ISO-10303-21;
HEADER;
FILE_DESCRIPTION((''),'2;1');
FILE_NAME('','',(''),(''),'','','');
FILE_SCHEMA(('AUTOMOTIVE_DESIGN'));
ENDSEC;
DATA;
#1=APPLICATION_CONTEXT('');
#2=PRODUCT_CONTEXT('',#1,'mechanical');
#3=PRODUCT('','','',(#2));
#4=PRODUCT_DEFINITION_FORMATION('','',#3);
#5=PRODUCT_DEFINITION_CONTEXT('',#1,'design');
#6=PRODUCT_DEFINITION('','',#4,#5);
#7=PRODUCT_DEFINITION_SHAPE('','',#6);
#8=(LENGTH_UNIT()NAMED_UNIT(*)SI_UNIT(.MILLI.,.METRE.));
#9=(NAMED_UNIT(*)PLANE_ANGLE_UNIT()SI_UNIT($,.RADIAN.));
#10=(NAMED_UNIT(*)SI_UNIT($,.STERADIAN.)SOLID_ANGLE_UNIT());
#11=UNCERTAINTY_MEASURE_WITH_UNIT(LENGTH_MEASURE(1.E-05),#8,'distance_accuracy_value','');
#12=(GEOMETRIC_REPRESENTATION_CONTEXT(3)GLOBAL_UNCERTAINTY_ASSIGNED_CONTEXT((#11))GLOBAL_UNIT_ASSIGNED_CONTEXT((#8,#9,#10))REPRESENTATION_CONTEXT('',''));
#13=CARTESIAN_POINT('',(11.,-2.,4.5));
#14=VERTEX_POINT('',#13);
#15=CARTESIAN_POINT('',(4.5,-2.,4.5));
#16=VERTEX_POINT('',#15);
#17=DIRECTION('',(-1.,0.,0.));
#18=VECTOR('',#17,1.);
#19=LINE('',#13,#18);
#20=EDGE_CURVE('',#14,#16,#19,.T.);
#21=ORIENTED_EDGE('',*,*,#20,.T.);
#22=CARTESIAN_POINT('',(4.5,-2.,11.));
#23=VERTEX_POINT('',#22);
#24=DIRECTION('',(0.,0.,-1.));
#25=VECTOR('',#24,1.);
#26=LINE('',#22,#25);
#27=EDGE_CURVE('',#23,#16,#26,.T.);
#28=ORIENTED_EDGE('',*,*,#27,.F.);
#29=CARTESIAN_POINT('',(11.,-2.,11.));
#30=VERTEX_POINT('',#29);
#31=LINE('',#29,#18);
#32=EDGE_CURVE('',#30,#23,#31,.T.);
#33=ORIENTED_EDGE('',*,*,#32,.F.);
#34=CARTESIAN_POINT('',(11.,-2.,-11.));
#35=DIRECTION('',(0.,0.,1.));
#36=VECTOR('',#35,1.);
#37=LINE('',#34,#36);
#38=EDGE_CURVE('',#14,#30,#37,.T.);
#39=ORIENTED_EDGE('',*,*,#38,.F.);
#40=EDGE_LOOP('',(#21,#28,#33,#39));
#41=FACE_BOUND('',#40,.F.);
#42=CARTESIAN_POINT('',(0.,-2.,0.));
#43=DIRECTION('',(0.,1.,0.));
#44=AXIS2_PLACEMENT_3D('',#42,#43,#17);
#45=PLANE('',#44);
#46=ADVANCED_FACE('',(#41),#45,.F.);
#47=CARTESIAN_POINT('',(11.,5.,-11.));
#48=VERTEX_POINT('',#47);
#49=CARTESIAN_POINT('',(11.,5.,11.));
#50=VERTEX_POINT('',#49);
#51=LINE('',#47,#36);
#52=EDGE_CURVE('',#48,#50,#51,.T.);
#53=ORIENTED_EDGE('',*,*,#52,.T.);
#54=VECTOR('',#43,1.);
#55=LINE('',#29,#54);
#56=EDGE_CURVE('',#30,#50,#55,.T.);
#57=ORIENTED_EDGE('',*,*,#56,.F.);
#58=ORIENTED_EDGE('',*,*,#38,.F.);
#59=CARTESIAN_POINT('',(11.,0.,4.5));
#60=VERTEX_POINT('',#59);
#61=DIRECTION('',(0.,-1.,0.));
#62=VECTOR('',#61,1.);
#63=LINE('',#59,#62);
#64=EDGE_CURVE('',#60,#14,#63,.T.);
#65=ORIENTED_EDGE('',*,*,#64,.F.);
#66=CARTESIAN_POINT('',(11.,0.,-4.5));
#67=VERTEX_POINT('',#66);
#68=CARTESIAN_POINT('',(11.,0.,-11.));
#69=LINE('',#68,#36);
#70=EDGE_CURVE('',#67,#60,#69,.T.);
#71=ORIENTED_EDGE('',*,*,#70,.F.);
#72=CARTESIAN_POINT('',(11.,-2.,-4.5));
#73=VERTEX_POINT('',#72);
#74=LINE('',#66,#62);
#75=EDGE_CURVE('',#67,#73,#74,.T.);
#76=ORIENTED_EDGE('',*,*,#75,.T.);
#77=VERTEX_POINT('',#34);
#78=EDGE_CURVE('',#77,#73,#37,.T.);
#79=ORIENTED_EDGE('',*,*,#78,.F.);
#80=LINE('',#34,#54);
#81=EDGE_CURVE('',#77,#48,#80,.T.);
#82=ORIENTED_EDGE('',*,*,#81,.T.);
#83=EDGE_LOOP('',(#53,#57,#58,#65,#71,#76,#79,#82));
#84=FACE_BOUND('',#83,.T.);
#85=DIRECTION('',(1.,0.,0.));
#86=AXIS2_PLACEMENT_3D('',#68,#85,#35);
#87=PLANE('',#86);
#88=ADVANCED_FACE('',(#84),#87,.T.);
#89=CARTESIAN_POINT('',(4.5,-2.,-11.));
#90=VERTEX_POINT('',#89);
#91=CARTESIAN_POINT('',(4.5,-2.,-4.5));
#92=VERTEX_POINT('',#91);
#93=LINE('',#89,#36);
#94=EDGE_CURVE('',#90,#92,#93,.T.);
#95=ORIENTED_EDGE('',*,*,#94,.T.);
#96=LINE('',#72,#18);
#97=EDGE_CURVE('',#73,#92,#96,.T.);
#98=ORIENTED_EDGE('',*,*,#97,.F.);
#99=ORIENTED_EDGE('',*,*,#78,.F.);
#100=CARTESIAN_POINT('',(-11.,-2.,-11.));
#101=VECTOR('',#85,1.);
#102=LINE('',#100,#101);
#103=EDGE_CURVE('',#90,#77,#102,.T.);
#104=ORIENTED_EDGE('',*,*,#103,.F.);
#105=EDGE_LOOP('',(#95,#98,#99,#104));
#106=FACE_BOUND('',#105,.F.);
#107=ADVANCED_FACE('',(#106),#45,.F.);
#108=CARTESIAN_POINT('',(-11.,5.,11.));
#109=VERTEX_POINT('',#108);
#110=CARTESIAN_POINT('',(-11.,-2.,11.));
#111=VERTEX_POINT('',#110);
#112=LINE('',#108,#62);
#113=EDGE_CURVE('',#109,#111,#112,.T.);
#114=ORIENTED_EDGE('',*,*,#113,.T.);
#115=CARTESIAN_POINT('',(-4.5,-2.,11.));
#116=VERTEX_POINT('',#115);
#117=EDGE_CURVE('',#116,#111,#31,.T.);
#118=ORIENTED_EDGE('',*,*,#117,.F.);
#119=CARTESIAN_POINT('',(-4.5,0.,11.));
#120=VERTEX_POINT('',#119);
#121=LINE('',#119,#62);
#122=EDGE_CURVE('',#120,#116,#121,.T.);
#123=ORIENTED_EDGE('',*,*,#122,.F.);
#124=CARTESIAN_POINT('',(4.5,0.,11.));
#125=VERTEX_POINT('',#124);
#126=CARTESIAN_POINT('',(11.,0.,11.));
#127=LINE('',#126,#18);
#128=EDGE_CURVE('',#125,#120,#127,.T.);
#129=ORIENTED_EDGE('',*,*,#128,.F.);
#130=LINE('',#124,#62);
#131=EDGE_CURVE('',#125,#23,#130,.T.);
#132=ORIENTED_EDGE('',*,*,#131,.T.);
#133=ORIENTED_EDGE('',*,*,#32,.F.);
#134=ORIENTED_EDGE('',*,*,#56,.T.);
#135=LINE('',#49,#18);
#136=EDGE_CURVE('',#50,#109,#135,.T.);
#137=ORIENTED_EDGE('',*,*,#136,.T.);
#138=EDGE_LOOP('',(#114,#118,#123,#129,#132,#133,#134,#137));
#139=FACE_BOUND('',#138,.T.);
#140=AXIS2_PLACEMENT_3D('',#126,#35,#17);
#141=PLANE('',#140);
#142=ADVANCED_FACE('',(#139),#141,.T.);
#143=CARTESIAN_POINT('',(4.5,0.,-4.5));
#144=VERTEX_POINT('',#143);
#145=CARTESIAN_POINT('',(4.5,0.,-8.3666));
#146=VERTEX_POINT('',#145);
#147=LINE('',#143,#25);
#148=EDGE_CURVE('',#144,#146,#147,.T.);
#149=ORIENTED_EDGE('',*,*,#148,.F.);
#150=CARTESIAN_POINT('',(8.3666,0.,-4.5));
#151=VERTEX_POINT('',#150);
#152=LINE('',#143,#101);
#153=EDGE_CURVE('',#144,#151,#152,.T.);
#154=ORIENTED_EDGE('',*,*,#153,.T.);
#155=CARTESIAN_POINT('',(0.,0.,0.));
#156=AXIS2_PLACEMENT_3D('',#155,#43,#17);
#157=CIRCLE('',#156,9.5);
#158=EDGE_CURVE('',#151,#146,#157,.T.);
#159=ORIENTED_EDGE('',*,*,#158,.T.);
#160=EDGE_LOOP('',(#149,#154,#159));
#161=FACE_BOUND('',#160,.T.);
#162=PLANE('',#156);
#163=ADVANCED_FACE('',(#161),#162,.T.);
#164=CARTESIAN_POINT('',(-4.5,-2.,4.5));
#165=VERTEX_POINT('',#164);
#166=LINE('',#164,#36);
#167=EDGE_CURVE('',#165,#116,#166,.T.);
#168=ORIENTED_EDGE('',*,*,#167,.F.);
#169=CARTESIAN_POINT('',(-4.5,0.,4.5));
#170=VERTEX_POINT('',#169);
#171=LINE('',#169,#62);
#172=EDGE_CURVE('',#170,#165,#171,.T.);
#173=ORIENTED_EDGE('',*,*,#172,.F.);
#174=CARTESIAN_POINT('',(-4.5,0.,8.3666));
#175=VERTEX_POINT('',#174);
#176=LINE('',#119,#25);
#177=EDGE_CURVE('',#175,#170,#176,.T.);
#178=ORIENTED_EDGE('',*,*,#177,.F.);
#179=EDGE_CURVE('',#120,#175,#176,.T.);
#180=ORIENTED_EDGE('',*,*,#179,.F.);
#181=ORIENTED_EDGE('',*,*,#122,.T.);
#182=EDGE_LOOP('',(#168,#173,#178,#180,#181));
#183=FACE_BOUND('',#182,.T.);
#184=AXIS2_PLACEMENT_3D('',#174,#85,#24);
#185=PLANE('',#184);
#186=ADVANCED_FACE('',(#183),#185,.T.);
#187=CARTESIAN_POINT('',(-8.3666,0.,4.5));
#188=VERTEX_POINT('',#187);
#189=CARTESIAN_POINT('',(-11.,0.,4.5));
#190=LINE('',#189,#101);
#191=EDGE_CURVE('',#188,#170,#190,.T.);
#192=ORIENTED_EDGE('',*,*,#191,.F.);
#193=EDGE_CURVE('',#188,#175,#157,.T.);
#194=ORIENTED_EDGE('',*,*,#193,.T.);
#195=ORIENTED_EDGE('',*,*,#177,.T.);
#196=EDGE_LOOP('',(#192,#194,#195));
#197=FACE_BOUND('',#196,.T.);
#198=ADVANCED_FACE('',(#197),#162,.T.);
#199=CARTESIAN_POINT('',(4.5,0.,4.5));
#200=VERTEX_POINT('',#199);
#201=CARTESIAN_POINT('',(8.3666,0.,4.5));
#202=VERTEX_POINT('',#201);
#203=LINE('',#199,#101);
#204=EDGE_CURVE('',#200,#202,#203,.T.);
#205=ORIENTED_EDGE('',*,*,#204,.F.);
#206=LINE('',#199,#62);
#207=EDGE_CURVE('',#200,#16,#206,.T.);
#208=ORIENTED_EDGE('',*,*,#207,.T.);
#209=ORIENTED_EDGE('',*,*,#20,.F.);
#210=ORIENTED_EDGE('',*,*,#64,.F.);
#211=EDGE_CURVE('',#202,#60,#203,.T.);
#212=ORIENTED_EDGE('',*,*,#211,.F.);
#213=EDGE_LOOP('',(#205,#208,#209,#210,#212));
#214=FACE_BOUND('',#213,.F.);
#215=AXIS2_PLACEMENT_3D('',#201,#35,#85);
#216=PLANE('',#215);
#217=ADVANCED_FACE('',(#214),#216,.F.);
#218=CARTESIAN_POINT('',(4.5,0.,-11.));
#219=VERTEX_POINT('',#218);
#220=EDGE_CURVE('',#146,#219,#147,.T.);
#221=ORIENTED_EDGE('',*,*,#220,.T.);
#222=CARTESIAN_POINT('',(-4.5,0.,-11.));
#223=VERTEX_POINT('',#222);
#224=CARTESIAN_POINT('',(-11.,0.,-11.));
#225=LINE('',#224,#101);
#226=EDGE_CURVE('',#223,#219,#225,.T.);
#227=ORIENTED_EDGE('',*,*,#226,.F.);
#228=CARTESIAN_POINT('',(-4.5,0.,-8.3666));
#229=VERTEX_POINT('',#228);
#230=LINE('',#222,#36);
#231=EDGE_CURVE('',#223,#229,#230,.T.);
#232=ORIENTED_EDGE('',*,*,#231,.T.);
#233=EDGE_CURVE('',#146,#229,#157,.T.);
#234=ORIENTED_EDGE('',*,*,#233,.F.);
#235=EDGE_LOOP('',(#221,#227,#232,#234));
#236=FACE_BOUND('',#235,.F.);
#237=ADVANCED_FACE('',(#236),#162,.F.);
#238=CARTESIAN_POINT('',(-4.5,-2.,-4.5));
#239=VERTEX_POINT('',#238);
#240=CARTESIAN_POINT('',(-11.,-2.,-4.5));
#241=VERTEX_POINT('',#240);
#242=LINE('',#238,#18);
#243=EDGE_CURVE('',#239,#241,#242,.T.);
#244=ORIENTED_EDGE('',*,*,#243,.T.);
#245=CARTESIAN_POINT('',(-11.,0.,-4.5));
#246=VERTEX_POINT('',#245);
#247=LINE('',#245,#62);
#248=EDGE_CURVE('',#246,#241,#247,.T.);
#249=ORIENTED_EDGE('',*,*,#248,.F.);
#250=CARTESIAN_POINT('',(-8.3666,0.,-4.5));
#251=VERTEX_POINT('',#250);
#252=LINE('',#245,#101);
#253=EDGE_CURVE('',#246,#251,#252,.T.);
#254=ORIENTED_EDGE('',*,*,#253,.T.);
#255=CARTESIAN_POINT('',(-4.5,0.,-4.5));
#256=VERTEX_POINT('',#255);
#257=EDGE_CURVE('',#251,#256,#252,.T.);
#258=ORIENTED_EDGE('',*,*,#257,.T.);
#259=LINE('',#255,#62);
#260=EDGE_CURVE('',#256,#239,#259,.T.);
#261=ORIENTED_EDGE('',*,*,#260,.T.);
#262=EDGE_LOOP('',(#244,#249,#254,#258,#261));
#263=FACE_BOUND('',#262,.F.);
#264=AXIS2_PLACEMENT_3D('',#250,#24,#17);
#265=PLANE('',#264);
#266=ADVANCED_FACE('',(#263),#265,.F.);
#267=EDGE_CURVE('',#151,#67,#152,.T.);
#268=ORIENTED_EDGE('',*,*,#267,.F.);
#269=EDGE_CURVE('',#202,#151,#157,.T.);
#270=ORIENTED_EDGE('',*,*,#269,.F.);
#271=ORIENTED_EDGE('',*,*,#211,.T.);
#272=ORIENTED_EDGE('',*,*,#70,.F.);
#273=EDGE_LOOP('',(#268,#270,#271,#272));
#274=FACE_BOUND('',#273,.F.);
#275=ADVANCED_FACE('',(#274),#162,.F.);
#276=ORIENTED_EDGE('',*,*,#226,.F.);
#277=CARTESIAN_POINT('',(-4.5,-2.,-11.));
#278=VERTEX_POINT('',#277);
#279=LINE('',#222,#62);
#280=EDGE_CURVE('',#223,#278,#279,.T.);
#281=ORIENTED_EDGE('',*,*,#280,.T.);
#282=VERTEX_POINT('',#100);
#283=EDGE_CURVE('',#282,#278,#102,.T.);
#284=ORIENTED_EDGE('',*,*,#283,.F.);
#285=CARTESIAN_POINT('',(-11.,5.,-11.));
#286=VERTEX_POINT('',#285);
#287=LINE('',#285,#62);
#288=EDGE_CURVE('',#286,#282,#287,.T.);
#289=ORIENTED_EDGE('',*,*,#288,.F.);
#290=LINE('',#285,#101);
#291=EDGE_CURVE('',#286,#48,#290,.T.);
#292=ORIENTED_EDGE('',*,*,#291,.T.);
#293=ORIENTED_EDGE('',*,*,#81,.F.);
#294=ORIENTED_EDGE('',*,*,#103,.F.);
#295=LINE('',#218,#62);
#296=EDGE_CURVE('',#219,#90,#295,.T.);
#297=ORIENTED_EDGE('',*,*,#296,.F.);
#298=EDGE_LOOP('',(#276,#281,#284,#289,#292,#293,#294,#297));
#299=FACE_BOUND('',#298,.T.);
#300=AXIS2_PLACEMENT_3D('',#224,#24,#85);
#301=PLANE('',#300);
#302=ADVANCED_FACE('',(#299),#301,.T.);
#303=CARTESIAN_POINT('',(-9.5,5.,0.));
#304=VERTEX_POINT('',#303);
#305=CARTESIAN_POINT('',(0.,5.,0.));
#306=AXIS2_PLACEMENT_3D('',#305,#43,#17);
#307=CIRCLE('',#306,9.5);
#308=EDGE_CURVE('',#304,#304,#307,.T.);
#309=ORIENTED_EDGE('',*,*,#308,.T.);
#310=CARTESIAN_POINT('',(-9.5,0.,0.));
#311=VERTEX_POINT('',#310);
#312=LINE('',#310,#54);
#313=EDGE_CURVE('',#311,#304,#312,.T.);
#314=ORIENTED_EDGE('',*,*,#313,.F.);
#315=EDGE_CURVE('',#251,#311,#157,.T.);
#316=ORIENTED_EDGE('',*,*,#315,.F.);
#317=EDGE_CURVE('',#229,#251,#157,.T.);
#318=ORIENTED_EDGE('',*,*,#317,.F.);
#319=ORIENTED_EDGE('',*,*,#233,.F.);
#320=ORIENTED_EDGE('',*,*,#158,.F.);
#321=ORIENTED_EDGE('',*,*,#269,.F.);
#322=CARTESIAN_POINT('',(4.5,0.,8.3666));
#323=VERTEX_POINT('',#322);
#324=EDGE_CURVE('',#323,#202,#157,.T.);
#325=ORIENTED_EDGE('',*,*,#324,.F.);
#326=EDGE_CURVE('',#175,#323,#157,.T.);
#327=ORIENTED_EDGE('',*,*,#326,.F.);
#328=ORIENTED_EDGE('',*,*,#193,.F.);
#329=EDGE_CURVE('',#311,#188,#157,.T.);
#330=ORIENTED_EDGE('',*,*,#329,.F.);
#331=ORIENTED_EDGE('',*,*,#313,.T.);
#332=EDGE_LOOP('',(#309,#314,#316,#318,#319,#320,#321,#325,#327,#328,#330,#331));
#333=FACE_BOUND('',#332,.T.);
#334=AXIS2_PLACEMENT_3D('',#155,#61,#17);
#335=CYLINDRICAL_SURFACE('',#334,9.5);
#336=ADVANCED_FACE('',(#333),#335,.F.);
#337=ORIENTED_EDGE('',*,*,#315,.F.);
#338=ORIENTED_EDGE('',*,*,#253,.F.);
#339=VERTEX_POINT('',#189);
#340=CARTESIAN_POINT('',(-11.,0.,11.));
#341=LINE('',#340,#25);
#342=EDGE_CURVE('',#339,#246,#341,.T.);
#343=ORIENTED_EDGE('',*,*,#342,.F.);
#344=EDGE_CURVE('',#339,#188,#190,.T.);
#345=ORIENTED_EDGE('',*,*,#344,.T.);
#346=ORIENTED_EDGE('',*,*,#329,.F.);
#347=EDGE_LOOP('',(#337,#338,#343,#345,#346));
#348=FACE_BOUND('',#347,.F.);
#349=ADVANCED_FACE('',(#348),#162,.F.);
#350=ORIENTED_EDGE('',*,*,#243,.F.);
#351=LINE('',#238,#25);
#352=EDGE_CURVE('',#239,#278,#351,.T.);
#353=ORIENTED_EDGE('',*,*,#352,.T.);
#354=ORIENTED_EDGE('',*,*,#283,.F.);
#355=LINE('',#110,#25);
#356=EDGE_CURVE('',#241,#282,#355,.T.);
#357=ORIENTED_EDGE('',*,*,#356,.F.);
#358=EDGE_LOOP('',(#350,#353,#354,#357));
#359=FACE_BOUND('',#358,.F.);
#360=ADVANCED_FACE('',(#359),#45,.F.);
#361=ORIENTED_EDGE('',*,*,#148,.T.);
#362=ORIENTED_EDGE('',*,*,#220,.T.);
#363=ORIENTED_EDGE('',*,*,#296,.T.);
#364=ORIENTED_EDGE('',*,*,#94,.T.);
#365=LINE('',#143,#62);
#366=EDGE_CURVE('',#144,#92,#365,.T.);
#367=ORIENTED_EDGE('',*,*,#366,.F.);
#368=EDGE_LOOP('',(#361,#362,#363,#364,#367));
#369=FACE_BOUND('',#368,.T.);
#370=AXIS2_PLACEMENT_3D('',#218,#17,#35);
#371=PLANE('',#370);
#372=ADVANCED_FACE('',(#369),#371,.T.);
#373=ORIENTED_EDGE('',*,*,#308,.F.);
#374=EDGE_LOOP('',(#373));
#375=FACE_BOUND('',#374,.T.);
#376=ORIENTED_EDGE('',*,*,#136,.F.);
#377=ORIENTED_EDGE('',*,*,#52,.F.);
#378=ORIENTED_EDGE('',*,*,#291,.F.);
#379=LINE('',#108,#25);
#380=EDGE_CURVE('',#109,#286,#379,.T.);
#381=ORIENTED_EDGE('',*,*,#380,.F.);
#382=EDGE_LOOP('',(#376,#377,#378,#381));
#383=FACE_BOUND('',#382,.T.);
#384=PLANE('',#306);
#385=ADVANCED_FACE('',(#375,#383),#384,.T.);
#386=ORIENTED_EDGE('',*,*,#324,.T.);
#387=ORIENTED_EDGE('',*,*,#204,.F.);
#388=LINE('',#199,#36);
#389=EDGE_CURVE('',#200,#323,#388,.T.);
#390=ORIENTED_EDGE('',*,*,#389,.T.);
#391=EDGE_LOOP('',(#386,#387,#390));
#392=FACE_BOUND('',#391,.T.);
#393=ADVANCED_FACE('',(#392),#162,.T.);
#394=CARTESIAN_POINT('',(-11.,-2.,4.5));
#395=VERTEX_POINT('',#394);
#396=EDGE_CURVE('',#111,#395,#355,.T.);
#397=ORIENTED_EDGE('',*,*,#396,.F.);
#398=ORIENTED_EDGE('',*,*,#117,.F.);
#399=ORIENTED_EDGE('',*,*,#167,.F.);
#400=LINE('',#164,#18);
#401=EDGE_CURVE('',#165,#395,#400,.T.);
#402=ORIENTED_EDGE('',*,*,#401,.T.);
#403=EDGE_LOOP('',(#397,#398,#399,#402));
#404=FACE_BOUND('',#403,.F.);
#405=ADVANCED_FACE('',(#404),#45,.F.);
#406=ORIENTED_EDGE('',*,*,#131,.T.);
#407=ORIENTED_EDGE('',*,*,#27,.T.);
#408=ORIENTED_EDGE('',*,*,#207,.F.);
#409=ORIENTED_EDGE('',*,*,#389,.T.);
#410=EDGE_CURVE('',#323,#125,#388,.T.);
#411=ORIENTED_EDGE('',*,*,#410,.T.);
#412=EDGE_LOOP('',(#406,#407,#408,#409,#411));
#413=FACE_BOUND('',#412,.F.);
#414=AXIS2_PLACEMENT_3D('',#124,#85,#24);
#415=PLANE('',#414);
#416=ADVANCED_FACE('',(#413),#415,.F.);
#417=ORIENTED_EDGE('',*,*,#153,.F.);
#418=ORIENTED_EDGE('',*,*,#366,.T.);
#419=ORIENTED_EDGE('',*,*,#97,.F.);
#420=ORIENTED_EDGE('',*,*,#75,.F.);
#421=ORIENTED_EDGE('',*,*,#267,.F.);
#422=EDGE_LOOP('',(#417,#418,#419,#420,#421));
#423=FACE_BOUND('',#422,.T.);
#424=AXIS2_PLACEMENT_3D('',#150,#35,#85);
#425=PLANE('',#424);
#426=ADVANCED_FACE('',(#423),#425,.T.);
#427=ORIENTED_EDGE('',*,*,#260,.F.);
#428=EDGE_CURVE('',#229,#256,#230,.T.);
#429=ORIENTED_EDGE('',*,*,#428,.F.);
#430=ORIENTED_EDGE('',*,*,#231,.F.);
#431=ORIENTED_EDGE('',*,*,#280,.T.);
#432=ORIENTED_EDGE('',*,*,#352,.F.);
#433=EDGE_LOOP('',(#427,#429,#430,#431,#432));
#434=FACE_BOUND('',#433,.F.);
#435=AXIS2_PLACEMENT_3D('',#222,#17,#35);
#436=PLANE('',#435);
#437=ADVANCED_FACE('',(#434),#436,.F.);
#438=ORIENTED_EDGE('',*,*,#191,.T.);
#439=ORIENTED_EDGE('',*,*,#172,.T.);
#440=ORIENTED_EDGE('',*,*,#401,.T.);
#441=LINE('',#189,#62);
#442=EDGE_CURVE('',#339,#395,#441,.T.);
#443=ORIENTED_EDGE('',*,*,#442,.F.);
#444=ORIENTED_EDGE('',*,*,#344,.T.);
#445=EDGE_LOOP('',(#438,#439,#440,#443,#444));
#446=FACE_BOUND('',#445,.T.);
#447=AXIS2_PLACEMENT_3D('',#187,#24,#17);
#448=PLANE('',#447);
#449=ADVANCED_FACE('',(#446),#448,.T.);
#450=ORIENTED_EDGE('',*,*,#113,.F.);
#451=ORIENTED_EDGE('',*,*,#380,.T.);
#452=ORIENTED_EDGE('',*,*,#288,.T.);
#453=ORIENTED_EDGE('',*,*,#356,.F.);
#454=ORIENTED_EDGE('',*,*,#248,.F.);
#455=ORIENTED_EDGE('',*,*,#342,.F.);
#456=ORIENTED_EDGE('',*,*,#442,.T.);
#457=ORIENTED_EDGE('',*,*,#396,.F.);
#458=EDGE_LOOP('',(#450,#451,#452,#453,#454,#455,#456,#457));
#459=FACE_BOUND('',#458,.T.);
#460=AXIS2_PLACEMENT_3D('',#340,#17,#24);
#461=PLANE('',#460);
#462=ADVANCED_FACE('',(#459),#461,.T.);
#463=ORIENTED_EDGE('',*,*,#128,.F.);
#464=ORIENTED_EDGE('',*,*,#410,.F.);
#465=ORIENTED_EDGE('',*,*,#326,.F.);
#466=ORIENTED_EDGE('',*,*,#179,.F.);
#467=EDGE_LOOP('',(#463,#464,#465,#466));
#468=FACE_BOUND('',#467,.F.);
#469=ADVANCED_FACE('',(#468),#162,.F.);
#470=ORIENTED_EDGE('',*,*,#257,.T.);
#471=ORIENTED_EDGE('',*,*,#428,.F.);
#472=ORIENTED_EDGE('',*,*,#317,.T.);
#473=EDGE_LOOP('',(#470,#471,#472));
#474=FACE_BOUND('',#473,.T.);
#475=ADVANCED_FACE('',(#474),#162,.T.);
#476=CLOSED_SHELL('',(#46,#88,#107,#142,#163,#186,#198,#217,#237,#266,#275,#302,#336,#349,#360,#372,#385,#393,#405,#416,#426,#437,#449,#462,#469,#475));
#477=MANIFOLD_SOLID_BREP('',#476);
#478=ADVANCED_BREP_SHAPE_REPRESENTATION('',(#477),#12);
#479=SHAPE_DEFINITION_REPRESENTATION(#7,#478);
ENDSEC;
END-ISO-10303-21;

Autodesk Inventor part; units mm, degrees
ref_plane "YZ Plane" through (0, 0, 0) normal (1, 0, 0) x (0, 1, 0)
ref_plane "XZ Plane" through (0, 0, 0) normal (0, 1, 0) x (-1, 0, 0)
ref_plane "XY Plane" through (0, 0, 0) normal (0, 0, 1) x (1, 0, 0)
sketch "Szkic1" plane through (0, 0, 0) normal (0, 1, 0) x (-1, 0, 0)
  circle A0 centre (0, 0) radius 9.5
  line L0 (-11, 11) -> (11, 11)
  line L1 (11, 11) -> (11, -11)
  line L2 (11, -11) -> (-11, -11)
  line L3 (-11, -11) -> (-11, 11)
  line L4 (-11, 11) -> (11, -11) construction
  line L5 (11, 11) -> (-11, -11) construction
  dimension "d0" = 19
  dimension "d1" = 22
  dimension "d2" = 22
sketch "Szkic2" plane through (0, 0, 0) normal (0, 1, 0) x (-1, 0, 0)
  line L0 (11, -11) -> (-11, -11) projected
  line L1 (11, 11) -> (11, -11) projected
  line L2 (-11, 11) -> (11, 11) projected
  line L3 (-11, -11) -> (-11, 11) projected
  circle A0 centre (0, 0) radius 9.5 projected
  line L4 (11, -11) -> (4.5, -11)
  line L5 (4.5, -11) -> (4.5, -4.5)
  line L6 (4.5, -4.5) -> (11, -4.5)
  line L7 (11, -4.5) -> (11, -11)
  line L8 (-11, -11) -> (-4.5, -11)
  line L9 (-4.5, -11) -> (-4.5, -4.5)
  line L10 (-4.5, -4.5) -> (-11, -4.5)
  line L11 (-11, -4.5) -> (-11, -11)
  line L12 (-11, 11) -> (-4.5, 11)
  line L13 (-4.5, 11) -> (-4.5, 4.5)
  line L14 (-4.5, 4.5) -> (-11, 4.5)
  line L15 (-11, 4.5) -> (-11, 11)
  line L16 (11, 11) -> (4.5, 11)
  line L17 (4.5, 11) -> (4.5, 4.5)
  line L18 (4.5, 4.5) -> (11, 4.5)
  line L19 (11, 4.5) -> (11, 11)
  dimension "d3" = 6.5
  dimension "d4" = 6.5
  dimension "d5" = 6.5
  dimension "d6" = 6.5
  dimension "d7" = 6.5
  dimension "d8" = 6.5
  dimension "d9" = 6.5
  dimension "d10" = 6.5
extrude "Wyciągnięcie proste1" add sketch "Szkic1" along normal blind 5
extrude "Wyciągnięcie proste2" add sketch "Szkic2" against normal blind 2 contours L0 L5 A0 L6 L1 | L0 L3 L10 A0 L9 | L5 L6 A0 | L18 A0 L17 L2 L1 | A0 L10 L9 | L18 L17 A0 | L3 L2 L13 A0 L14 | A0 L13 L14
equation "\"d3\" = d8"
equation "\"d4\" = d8"
equation "\"d5\" = d8"
equation "\"d6\" = d8"
equation "\"d7\" = d8"
equation "\"d9\" = d8"
equation "\"d10\" = d8"
properties part number "final cela" material "Tworzywo sztuczne ABS"
